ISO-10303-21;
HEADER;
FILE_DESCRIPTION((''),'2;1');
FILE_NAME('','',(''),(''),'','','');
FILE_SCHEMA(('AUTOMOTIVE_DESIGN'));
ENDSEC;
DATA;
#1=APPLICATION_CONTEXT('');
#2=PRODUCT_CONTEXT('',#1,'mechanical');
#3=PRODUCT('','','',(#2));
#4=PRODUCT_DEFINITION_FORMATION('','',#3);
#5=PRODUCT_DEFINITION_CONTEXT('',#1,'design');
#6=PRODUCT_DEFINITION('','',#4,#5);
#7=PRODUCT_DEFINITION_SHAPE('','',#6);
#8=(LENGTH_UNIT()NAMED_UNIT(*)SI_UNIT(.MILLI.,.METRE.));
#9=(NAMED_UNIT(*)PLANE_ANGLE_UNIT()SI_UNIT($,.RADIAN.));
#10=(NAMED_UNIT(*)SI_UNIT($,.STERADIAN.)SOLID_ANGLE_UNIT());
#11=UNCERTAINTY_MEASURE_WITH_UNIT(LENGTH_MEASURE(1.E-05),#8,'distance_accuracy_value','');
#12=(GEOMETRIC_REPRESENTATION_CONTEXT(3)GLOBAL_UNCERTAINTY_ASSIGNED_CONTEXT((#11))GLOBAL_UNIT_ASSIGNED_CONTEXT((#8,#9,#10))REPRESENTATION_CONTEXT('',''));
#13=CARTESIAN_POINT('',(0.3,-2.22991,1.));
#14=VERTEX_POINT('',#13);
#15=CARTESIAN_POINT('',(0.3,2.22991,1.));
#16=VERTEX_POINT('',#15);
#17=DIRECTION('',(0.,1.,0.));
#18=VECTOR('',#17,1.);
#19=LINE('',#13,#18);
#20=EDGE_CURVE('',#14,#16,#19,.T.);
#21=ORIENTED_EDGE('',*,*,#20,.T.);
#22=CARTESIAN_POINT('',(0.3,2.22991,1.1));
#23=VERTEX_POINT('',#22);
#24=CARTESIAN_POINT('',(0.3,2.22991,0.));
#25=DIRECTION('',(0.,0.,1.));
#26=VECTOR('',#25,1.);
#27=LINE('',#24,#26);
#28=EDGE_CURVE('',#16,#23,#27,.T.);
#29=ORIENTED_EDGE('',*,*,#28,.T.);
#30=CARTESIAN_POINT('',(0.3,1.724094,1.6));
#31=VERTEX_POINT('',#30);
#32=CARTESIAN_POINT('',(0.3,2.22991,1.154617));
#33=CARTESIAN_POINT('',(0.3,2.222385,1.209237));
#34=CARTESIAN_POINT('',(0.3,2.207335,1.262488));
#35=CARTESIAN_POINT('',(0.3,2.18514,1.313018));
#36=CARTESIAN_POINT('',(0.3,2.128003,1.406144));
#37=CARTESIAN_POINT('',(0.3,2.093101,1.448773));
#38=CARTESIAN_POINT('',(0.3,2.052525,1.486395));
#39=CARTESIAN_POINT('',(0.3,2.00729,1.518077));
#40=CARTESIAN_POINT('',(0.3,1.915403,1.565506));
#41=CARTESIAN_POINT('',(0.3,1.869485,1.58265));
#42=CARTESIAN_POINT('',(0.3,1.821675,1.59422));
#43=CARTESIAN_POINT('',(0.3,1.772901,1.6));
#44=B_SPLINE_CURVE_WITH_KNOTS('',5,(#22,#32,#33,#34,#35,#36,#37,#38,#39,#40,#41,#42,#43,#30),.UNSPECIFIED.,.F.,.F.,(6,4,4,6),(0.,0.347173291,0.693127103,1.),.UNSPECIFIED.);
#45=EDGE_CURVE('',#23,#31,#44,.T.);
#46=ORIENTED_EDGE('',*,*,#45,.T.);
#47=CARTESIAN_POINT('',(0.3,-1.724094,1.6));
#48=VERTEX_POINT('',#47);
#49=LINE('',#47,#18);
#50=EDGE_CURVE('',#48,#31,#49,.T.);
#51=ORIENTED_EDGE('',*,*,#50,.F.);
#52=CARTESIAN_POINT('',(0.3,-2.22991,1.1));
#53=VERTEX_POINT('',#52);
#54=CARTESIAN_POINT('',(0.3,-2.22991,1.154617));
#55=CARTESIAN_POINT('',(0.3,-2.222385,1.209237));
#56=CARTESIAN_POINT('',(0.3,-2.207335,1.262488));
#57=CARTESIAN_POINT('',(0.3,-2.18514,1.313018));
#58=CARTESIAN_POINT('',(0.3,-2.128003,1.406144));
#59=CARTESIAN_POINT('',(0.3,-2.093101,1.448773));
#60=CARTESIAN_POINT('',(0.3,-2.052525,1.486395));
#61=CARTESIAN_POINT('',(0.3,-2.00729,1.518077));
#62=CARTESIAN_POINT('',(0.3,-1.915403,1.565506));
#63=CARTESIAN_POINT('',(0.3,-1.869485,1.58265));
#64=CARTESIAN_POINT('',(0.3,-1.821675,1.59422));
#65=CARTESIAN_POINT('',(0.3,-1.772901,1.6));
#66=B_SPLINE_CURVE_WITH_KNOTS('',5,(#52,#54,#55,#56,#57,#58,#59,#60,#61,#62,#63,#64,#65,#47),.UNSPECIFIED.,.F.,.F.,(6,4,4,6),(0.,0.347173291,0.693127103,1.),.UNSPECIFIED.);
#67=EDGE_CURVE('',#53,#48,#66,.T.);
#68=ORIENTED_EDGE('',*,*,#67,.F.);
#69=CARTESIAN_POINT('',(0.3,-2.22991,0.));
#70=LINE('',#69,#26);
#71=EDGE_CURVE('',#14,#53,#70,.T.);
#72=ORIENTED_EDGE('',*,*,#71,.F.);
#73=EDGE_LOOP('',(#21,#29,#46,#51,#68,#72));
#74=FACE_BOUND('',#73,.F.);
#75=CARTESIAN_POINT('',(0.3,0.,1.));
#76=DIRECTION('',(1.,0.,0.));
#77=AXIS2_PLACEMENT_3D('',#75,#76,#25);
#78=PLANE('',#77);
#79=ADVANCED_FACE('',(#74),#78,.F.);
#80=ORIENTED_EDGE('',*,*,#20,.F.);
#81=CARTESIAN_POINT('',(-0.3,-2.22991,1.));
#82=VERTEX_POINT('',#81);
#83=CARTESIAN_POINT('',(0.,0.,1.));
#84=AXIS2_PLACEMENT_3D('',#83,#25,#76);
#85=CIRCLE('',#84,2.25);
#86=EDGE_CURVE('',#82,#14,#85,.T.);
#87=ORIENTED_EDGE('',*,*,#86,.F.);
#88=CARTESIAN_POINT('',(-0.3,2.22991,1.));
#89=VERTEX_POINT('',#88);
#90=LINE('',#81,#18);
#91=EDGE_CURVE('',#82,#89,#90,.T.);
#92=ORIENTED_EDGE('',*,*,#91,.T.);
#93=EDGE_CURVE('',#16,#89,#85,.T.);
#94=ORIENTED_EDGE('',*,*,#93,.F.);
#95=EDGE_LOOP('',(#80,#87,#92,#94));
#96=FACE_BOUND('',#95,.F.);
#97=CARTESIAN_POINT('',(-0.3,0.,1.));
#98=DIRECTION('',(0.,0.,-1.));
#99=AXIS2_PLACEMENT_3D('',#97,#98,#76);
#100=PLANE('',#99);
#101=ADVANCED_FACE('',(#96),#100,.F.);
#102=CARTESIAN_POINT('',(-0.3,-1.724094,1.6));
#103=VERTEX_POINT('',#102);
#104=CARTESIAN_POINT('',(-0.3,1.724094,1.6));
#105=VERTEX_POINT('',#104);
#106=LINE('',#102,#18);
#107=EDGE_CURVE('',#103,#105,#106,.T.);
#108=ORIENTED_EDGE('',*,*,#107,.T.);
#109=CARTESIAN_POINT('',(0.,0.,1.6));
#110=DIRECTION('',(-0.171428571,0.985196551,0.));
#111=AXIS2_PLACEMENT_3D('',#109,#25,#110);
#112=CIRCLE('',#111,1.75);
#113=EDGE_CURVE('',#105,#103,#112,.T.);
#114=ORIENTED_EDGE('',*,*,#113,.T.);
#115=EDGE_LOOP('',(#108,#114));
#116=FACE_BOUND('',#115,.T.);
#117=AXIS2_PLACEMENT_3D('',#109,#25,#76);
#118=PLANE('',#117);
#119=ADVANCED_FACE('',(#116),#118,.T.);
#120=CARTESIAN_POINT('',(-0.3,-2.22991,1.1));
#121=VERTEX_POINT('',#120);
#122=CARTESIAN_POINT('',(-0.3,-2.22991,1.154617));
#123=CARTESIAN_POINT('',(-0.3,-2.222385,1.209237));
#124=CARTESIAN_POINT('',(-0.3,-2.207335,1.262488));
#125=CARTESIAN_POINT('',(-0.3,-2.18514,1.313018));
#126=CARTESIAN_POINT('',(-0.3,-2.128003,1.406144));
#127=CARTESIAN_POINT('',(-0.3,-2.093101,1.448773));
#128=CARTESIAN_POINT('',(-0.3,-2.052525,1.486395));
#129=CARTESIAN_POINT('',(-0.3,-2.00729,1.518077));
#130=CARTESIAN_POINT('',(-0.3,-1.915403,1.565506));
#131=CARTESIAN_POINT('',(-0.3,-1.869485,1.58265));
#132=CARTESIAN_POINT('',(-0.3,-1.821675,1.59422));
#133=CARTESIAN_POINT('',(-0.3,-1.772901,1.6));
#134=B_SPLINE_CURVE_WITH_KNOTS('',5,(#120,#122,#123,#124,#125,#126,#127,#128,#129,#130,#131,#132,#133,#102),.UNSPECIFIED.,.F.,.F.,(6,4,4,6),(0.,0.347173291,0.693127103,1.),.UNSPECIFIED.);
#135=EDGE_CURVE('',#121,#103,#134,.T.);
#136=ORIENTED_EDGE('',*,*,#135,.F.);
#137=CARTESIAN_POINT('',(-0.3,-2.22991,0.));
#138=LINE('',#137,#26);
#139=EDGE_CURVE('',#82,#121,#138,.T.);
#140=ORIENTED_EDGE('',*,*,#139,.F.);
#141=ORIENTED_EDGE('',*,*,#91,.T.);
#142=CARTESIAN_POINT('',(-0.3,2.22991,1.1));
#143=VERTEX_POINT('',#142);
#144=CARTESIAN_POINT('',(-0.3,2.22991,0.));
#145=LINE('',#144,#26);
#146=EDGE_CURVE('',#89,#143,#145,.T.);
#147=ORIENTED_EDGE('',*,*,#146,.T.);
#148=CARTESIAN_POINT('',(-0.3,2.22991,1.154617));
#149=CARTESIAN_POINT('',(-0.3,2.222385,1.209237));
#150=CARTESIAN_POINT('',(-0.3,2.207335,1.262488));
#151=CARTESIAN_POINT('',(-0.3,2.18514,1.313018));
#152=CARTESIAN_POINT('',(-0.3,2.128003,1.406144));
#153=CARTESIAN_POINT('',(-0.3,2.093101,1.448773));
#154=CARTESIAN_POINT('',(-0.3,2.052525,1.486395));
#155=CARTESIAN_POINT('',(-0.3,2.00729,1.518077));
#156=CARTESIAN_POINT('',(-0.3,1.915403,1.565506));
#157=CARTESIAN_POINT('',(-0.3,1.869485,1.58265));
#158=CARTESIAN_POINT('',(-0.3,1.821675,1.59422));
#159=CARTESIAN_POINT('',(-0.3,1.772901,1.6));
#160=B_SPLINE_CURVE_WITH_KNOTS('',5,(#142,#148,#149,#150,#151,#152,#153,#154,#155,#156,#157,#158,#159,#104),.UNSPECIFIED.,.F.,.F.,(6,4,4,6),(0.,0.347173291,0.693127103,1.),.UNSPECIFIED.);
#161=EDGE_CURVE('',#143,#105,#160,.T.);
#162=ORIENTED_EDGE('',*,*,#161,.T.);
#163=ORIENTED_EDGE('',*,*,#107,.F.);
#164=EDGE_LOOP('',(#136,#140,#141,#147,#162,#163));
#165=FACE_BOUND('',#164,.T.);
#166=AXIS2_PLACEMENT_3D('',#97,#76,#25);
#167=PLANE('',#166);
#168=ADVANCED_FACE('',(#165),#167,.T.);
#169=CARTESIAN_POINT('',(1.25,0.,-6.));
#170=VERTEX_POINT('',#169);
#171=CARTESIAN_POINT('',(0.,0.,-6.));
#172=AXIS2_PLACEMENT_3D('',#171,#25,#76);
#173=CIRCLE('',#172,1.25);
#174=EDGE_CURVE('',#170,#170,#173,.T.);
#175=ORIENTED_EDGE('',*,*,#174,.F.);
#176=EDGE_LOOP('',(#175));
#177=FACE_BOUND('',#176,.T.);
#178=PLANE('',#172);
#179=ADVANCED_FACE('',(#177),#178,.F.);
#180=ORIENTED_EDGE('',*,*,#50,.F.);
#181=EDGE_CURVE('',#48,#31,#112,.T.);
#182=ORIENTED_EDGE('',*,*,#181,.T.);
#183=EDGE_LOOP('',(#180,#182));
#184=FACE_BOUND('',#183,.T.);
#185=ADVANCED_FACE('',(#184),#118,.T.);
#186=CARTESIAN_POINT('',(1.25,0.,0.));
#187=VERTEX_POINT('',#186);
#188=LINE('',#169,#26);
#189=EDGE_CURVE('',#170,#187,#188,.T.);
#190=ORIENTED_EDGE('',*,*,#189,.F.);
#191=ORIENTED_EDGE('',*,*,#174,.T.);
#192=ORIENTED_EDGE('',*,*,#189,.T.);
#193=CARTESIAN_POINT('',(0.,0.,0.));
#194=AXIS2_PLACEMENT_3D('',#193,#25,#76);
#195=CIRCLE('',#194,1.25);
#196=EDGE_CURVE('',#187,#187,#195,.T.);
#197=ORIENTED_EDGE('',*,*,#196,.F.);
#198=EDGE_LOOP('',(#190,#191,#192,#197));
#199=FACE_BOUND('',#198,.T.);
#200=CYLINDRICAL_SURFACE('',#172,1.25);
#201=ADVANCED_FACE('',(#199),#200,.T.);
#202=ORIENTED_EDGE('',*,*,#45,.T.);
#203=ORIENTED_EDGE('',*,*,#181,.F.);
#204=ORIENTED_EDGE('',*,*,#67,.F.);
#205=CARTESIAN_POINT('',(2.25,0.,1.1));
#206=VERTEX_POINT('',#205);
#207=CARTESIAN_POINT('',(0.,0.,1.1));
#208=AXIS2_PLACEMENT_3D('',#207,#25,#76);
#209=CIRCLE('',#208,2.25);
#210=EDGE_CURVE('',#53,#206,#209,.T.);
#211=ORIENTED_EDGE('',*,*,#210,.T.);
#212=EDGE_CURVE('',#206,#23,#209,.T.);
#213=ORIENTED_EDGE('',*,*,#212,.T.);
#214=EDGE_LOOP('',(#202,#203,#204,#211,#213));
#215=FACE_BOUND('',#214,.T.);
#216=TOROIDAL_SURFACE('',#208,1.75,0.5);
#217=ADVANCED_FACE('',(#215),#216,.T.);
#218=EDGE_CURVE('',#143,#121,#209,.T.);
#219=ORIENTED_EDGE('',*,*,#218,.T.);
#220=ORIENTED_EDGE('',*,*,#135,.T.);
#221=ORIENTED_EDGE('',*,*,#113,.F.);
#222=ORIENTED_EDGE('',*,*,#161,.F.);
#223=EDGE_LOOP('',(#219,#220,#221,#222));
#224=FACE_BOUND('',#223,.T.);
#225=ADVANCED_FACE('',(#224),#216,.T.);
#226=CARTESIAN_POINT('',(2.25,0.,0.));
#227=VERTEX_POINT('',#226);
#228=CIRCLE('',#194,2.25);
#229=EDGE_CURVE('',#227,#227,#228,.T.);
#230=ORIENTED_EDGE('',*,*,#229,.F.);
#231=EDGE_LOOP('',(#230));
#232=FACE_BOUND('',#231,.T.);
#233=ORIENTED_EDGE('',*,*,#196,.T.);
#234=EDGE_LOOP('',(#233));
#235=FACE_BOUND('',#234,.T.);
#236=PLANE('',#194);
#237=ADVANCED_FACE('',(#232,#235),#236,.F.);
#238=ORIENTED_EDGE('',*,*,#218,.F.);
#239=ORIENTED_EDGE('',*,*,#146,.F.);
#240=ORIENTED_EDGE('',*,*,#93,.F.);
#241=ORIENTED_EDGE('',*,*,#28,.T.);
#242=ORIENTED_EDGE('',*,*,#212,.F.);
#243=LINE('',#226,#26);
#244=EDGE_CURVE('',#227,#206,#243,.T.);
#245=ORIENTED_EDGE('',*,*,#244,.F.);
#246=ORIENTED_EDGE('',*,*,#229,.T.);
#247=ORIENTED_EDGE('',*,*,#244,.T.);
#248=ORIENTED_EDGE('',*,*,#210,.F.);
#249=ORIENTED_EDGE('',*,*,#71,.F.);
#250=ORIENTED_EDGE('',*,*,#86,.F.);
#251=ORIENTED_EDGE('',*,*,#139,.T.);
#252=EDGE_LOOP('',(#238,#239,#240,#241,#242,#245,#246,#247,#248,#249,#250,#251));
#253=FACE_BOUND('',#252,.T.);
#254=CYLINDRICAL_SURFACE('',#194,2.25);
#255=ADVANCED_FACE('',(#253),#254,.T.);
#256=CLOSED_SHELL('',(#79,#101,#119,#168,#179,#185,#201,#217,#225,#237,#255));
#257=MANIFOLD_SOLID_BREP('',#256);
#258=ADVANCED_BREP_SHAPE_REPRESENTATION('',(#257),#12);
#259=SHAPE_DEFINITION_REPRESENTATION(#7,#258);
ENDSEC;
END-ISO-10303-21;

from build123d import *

# Parameters (mm, degrees)
F2_W          = 0.6
F2_H          = 0.6
F3_DEPTH      = 2.251
F3_DEPTH_BACK = 2.251


with BuildPart() as f1:
    # F0 (on Front) → F1 (revolve)
    with BuildSketch(Plane.XZ):
        with BuildLine():
            Line((1.75, 1.6), (0, 1.6))
            Line((0, 1.6), (0, -6))
            Line((0, -6), (1.25, -6))
            Line((1.25, -6), (1.25, 0))
            Line((1.25, 0), (2.25, 0))
            Line((2.25, 0), (2.25, 1.1))
            ThreePointArc((2.25, 1.1), (2.1035533906, 1.4535533906), (1.75, 1.6))
        make_face()
    revolve(axis=Axis((0, 0, 1.6484611327), (0, 0, 1)))

    # F2 (on Front) → F3 (cut, two sides)
    with BuildSketch(Plane.XZ) as f3_sk:
        with Locations((0, 1.3)):
            Rectangle(F2_W, F2_H)
    extrude(amount=-F3_DEPTH, mode=Mode.SUBTRACT)
    extrude(f3_sk.sketch, amount=F3_DEPTH_BACK, mode=Mode.SUBTRACT)


solid = f1.part
